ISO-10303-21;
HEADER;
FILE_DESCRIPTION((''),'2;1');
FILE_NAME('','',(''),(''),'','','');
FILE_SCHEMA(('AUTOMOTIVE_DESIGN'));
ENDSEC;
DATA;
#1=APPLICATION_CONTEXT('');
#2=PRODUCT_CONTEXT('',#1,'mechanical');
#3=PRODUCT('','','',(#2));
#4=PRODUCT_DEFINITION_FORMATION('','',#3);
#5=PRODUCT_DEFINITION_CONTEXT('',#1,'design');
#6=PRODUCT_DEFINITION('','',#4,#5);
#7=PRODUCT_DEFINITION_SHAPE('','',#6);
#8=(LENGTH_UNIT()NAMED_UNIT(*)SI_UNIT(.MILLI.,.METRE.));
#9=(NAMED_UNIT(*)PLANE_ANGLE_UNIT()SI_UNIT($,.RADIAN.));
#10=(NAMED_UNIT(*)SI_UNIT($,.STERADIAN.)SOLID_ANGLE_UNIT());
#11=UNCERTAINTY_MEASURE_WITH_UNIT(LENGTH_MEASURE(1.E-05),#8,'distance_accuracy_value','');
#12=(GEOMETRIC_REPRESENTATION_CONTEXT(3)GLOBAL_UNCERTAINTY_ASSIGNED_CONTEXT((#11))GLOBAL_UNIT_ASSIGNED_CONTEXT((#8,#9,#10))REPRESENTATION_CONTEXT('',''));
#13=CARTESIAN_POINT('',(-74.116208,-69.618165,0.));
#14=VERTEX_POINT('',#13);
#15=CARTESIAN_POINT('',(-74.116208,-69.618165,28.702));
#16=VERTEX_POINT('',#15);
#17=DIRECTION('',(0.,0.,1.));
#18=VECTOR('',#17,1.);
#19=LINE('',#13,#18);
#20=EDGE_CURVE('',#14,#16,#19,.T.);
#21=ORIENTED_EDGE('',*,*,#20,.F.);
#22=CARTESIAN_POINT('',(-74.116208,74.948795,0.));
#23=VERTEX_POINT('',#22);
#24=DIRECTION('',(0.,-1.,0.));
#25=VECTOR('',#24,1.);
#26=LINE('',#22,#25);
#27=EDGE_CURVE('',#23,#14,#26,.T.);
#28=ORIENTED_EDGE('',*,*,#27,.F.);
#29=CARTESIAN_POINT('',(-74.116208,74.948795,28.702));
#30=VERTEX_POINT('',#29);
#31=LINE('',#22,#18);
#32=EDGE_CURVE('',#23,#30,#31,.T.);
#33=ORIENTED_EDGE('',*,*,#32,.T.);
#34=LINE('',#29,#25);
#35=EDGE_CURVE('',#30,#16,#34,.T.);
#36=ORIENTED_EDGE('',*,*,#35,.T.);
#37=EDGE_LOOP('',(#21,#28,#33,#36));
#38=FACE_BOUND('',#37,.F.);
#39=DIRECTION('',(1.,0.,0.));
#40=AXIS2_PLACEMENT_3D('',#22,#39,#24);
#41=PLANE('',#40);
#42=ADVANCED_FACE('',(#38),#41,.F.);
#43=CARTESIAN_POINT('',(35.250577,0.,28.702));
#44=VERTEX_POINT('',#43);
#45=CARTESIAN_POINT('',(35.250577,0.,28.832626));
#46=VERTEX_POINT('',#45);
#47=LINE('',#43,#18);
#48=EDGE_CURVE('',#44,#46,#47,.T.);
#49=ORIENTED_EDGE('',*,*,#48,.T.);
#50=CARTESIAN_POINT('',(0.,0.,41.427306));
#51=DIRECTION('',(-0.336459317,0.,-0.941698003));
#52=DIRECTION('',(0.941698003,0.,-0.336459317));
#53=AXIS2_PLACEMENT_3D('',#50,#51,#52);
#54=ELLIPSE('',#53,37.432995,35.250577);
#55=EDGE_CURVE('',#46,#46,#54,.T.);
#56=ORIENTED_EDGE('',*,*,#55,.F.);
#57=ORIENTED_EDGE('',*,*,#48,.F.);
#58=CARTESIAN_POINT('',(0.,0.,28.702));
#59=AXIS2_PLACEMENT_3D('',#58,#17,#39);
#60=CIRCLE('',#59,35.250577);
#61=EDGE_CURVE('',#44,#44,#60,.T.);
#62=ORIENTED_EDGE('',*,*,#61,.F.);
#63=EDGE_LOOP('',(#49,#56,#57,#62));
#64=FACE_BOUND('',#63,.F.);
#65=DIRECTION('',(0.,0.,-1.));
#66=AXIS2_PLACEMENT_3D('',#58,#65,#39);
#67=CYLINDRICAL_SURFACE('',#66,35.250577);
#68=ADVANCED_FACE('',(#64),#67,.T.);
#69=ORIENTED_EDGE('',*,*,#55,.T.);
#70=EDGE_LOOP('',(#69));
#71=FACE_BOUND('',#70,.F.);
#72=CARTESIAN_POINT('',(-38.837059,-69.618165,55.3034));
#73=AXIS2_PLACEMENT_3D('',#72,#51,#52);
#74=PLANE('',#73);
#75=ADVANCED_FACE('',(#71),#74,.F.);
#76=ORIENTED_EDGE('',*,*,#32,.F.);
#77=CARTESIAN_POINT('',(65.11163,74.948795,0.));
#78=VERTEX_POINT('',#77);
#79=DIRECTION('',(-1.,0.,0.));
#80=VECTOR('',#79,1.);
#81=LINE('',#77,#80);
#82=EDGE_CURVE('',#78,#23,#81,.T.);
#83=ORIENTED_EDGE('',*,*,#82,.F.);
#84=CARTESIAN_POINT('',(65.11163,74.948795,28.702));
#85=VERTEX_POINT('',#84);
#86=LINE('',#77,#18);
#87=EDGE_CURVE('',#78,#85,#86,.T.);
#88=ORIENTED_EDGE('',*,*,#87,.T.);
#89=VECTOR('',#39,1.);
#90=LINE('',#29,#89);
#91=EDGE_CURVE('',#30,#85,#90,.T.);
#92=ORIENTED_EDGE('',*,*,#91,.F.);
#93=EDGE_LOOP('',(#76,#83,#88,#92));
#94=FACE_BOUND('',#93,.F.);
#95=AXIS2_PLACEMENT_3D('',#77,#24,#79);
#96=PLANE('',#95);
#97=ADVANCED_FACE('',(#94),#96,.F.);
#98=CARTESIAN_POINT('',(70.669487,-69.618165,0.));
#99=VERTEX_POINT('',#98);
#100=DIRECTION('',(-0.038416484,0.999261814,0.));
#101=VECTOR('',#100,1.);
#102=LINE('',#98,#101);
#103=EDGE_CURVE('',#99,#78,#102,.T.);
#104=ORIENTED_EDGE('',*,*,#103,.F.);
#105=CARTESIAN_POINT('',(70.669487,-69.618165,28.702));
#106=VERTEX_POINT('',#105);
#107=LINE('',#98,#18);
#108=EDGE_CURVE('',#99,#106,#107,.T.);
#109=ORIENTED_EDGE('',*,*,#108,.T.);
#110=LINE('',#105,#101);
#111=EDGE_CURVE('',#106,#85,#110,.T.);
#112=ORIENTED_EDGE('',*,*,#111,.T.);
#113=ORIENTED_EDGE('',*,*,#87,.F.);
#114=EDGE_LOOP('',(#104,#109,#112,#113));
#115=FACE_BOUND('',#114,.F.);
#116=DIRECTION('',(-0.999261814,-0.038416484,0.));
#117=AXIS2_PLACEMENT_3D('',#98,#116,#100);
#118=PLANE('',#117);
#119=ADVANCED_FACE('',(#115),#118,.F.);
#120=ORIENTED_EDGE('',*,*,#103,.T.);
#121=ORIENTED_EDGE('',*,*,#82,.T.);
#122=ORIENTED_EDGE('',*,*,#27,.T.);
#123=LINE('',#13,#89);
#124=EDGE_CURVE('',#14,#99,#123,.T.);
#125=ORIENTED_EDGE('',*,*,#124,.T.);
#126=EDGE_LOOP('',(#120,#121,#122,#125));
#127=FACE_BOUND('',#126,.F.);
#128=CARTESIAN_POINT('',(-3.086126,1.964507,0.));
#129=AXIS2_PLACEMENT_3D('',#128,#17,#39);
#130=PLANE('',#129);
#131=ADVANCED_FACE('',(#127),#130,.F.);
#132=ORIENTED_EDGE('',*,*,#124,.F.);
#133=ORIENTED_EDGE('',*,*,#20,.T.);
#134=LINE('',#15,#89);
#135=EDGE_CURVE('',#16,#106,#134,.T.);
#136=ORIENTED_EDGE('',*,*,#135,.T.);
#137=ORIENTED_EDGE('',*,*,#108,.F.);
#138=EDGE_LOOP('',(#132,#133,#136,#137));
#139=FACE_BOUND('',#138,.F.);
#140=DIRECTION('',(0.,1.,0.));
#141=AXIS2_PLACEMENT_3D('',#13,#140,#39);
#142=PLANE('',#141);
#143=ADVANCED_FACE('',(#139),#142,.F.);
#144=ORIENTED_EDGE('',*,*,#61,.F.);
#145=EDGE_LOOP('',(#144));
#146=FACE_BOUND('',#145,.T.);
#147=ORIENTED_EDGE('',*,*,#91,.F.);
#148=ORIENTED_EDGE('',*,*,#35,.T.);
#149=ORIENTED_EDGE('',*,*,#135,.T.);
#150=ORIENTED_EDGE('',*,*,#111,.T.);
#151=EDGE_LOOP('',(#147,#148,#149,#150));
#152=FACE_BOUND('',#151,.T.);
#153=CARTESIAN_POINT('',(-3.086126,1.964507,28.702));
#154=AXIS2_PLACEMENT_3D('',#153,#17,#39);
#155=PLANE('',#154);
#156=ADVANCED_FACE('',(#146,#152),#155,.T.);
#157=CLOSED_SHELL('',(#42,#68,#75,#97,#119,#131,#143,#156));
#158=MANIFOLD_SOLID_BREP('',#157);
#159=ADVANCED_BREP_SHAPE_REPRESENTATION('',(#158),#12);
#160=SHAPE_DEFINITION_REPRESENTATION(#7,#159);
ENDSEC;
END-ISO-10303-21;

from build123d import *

# Parameters (mm, degrees)
F1_DEPTH = 28.702
F2_R     = 35.250577
F3_DEPTH = 25.4
F5_DEPTH = 144.567961


with BuildPart() as f1:
    # F0 (on Top) → F1 (new body)
    with BuildSketch(Plane.XY):
        Polygon((65.11163, 74.948795), (-74.116208, 74.948795), (-74.116208, -69.618165), (70.669487, -69.618165), align=None)
    extrude(amount=F1_DEPTH)

    # F2 (on face) → F3 (join)
    with BuildSketch(Plane.XY.offset(28.702)):
        Circle(F2_R)
    extrude(amount=F3_DEPTH)

    # F4 (on face) → F5 (cut, through all)
    with BuildSketch(Plane.XZ.offset(69.618165)):
        Polygon((35.616178, 54.999514), (-38.837059, 55.3034), (35.616178, 28.702), align=None)
    extrude(amount=-F5_DEPTH, mode=Mode.SUBTRACT)


solid = f1.part
